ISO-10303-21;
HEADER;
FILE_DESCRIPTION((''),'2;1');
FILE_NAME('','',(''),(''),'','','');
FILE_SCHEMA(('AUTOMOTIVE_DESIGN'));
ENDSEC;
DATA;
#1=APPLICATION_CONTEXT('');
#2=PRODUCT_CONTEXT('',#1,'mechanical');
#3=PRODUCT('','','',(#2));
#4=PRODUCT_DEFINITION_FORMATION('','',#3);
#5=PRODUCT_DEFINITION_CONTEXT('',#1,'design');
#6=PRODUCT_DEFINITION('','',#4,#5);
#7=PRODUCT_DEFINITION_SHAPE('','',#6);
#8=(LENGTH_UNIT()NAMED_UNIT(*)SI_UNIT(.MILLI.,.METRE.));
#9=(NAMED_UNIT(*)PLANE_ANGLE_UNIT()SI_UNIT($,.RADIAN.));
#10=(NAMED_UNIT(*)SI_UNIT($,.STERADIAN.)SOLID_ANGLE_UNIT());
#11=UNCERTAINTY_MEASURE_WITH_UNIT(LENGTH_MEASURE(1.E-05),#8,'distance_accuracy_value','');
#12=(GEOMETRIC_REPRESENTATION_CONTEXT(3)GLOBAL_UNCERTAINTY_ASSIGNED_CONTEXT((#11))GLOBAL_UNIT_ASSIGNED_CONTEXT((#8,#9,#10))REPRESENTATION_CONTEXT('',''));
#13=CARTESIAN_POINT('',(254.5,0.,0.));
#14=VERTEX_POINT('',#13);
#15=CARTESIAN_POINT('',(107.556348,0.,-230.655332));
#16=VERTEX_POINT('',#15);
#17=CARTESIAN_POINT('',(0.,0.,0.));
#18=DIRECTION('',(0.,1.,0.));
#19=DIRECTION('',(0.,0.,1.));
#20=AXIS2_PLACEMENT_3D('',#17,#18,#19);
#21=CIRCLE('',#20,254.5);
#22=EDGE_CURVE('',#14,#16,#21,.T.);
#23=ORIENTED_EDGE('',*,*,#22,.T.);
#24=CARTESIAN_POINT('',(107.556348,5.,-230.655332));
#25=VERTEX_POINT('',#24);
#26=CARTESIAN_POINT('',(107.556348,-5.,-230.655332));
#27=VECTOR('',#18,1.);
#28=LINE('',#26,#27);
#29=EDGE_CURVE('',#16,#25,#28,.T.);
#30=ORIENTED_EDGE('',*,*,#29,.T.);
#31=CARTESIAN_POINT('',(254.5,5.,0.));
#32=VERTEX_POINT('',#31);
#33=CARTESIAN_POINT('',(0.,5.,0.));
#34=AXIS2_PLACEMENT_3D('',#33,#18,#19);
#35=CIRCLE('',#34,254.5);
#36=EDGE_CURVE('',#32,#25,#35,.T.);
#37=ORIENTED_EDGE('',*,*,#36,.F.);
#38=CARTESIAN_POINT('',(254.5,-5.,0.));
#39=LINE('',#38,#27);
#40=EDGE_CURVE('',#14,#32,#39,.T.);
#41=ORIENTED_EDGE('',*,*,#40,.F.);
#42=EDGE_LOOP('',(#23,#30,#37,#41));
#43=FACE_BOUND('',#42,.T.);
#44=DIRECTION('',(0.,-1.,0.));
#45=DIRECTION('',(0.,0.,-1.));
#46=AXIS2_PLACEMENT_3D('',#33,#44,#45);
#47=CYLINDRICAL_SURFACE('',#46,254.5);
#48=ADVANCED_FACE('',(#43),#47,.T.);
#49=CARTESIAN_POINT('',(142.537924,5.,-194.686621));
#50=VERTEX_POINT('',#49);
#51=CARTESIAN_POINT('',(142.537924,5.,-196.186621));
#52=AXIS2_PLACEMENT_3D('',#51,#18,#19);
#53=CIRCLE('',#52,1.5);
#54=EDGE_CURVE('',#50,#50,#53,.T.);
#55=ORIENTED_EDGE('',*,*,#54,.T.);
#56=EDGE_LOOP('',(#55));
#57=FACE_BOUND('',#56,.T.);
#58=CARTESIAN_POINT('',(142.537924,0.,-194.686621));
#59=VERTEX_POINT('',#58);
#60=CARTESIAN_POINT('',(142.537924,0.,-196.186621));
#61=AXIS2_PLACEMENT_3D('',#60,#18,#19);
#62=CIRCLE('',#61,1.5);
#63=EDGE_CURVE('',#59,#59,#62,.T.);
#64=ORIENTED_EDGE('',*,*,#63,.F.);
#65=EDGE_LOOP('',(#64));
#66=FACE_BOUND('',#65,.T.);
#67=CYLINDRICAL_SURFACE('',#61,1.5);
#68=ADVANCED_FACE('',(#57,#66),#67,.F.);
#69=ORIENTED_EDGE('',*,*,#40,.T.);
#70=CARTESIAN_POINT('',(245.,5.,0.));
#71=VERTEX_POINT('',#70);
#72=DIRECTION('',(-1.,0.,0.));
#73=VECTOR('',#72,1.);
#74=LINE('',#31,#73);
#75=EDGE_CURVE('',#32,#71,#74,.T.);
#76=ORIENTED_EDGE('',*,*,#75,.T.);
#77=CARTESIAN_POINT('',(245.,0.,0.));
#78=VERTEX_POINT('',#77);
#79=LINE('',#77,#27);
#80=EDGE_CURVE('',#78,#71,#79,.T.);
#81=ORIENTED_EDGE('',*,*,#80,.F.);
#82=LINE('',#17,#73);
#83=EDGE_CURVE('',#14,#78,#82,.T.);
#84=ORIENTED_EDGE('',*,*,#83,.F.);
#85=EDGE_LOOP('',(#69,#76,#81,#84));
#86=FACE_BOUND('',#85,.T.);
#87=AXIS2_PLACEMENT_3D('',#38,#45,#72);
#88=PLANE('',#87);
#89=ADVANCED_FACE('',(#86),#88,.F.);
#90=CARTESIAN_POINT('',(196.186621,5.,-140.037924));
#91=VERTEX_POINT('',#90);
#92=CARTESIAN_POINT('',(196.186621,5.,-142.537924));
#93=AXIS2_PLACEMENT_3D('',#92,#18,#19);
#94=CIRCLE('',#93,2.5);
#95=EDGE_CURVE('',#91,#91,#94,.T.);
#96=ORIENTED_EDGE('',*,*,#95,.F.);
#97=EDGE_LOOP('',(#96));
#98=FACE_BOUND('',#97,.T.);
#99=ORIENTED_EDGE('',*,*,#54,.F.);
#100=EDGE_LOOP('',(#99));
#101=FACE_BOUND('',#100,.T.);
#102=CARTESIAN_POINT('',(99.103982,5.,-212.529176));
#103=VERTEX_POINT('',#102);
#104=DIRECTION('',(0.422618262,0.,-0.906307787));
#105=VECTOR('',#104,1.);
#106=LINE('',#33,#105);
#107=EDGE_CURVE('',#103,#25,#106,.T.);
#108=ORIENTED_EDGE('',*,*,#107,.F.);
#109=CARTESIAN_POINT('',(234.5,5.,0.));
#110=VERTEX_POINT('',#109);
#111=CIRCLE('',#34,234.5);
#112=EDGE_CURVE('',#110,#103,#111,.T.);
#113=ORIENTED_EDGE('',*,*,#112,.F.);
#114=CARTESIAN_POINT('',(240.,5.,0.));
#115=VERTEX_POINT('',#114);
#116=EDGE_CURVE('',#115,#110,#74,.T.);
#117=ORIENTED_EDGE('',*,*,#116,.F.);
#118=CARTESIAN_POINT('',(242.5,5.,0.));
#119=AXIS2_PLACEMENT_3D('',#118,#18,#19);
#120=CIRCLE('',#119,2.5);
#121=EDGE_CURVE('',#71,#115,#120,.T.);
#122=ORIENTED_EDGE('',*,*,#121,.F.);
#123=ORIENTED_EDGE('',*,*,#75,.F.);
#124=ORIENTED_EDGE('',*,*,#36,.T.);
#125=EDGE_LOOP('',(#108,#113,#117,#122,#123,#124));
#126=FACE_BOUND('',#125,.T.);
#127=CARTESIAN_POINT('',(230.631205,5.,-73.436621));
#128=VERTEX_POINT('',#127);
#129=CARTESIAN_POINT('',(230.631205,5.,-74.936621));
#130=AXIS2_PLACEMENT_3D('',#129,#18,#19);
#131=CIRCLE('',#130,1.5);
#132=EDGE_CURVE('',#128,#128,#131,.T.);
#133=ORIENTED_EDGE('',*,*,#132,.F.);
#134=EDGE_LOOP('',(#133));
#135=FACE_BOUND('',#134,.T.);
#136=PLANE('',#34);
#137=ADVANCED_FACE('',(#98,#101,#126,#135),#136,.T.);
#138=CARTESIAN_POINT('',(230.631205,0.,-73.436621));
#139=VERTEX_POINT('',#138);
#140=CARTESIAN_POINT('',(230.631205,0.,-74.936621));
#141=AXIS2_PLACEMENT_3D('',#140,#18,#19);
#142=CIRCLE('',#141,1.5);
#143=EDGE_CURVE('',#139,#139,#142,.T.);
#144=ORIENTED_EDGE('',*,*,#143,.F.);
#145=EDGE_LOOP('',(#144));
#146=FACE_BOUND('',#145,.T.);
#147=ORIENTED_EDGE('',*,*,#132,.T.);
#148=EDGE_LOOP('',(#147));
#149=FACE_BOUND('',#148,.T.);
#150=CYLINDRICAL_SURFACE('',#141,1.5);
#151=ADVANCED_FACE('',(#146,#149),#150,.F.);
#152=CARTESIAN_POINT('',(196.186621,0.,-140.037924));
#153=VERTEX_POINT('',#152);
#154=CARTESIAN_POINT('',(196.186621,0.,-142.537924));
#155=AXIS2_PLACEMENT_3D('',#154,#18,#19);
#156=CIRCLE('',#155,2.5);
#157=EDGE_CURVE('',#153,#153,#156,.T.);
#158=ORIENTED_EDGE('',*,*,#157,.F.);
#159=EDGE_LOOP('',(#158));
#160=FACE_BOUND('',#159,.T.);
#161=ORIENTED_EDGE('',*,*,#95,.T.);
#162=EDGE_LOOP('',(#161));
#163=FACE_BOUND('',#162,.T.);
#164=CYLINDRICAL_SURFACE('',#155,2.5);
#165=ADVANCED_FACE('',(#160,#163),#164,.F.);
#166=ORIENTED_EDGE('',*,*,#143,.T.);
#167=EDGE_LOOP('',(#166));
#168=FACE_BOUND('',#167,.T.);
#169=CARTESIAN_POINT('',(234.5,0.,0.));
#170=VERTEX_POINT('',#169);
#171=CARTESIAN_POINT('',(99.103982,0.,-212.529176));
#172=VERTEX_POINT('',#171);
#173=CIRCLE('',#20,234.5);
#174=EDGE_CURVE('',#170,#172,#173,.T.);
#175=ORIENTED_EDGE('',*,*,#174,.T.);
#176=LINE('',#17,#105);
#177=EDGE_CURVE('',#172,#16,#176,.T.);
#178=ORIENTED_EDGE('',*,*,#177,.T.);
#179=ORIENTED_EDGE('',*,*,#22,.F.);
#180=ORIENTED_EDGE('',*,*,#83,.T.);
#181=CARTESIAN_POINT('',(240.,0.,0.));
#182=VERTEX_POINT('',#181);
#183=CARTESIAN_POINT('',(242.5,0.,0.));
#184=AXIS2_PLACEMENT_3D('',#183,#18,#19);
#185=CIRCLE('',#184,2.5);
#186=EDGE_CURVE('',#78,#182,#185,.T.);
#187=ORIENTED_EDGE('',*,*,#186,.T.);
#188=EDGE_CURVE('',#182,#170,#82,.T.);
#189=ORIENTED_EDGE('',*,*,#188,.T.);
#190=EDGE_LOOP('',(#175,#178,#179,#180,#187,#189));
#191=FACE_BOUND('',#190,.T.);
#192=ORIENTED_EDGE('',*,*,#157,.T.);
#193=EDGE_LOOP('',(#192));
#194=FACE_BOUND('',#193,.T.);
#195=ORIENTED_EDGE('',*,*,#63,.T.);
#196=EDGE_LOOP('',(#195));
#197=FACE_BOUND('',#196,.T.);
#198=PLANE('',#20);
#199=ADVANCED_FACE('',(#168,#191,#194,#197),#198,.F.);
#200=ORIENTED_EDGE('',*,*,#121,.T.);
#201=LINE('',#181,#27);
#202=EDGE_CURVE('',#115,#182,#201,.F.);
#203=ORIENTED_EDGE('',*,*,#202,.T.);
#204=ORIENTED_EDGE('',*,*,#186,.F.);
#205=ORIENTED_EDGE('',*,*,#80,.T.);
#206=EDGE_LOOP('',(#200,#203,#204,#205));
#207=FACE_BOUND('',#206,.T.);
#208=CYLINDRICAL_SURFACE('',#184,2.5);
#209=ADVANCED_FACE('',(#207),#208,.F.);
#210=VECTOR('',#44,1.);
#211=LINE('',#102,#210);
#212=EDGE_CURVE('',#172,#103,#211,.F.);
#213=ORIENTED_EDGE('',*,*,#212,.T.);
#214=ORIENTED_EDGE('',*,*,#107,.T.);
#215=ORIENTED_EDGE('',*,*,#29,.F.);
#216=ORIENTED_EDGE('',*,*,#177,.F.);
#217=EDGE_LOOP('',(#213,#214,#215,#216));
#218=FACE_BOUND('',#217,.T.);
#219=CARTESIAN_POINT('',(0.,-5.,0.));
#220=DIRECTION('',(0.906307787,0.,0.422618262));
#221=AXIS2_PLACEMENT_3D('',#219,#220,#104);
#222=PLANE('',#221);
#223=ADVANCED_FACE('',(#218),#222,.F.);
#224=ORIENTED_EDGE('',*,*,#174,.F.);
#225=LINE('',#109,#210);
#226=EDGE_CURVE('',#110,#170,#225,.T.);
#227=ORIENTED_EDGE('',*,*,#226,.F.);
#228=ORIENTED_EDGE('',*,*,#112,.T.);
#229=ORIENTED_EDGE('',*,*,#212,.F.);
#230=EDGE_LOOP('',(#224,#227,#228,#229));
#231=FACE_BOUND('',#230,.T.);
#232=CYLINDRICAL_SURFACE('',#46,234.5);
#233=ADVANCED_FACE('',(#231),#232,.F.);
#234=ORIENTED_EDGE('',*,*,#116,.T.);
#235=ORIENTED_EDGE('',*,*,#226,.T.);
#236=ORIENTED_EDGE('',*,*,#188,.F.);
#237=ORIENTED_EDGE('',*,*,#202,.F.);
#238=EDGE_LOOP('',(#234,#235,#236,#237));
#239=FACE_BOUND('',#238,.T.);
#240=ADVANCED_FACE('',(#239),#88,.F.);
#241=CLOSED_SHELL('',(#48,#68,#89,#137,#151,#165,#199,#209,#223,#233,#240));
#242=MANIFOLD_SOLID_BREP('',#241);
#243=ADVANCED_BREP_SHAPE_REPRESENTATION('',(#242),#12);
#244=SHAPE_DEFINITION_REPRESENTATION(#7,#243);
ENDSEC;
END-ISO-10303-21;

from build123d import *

# Parameters (mm, degrees)
SKETCH1_R           = 254.5
SKETCH1_R_2         = 234.5
BOSS_EXTRUDE1_DEPTH = 5
SKETCH2_W           = 27.805822748
SKETCH2_H           = 60
CUT_EXTRUDE1_DEPTH  = 5
SKETCH3_R           = 2.5
CUT_EXTRUDE2_DEPTH  = 5
SKETCH4_R           = 1.5
CUT_EXTRUDE3_DEPTH  = 5
SKETCH5_W           = 651.212620435
SKETCH5_H           = 357.226439325
CUT_EXTRUDE4_DEPTH  = 10
CUT_EXTRUDE9_START  = -10
SKETCH6_R           = 1.5
SKETCH6_R_2         = 2.5
CUT_EXTRUDE9_DEPTH  = 10
SKETCH7_R           = 2.5
SKETCH7_R_2         = 1.5
CUT_EXTRUDE11_DEPTH = 10


with BuildPart() as part:
    # Sketch1 → Boss-Extrude1 (new body)
    with BuildSketch(Plane(origin=(0, 0, 0), x_dir=(1, 0, 0), z_dir=(0, 1, 0))):
        with Locations(Location((0, 0, 0), (0, 0, 270))):
            Circle(SKETCH1_R)
        with Locations(Location((0, 0, 0), (0, 0, 270))):
            Circle(SKETCH1_R_2, mode=Mode.SUBTRACT)
    extrude(amount=BOSS_EXTRUDE1_DEPTH)

    # Sketch2 → Cut-Extrude1 (cut)
    with BuildSketch(Plane(origin=(0, 5, 0), x_dir=(1, 0, 0), z_dir=(0, 1, 0))):
        with Locations((-240.597088626, 30)):
            Rectangle(SKETCH2_W, SKETCH2_H)
    cut_extrude1 = extrude(amount=-CUT_EXTRUDE1_DEPTH, mode=Mode.SUBTRACT)

    # Mirror1: Cut-Extrude1 across plane
    add(cut_extrude1.mirror(Plane.XY), mode=Mode.SUBTRACT)

    # Sketch3 → Cut-Extrude2 (cut)
    with BuildSketch(Plane(origin=(0, 5, 0), x_dir=(1, 0, 0), z_dir=(0, 1, 0))):
        with Locations(Location((242.5, 0, 0), (0, 0, 270))):
            Circle(SKETCH3_R)
        with Locations(Location((196.186621136, -142.537923681, 0), (0, 0, 270))):
            Circle(SKETCH3_R)
        with Locations(Location((74.936621136, -230.631205202, 0), (0, 0, 270))):
            Circle(SKETCH3_R)
        with Locations(Location((-74.936621136, -230.631205202, 0), (0, 0, 270))):
            Circle(SKETCH3_R)
        with Locations(Location((-196.186621136, -142.537923681, 0), (0, 0, 270))):
            Circle(SKETCH3_R)
        with Locations((-242.5, 0)):
            Circle(SKETCH3_R)
        with Locations(Location((-196.186621136, 142.537923681, 0), (0, 0, 270))):
            Circle(SKETCH3_R)
        with Locations(Location((-74.936621136, 230.631205202, 0), (0, 0, 270))):
            Circle(SKETCH3_R)
        with Locations(Location((74.936621136, 230.631205202, 0), (0, 0, 270))):
            Circle(SKETCH3_R)
        with Locations(Location((196.186621136, 142.537923681, 0), (0, 0, 270))):
            Circle(SKETCH3_R)
    extrude(amount=-CUT_EXTRUDE2_DEPTH, mode=Mode.SUBTRACT)

    # Sketch4 → Cut-Extrude3 (cut)
    with BuildSketch(Plane(origin=(0, 5, 0), x_dir=(1, 0, 0), z_dir=(0, 1, 0))):
        with Locations(Location((0, -242.5, 0), (0, 0, 270))):
            Circle(SKETCH4_R)
        with Locations(Location((-142.537923681, -196.186621136, 0), (0, 0, 270))):
            Circle(SKETCH4_R)
        with Locations(Location((-230.631205202, -74.936621136, 0), (0, 0, 270))):
            Circle(SKETCH4_R)
        with Locations(Location((-230.631205202, 74.936621136, 0), (0, 0, 270))):
            Circle(SKETCH4_R)
        with Locations(Location((-142.537923681, 196.186621136, 0), (0, 0, 270))):
            Circle(SKETCH4_R)
        with Locations(Location((0, 242.5, 0), (0, 0, 270))):
            Circle(SKETCH4_R)
        with Locations(Location((142.537923681, 196.186621136, 0), (0, 0, 270))):
            Circle(SKETCH4_R)
        with Locations(Location((230.631205202, 74.936621136, 0), (0, 0, 270))):
            Circle(SKETCH4_R)
        with Locations(Location((230.631205202, -74.936621136, 0), (0, 0, 270))):
            Circle(SKETCH4_R)
        with Locations(Location((142.537923681, -196.186621136, 0), (0, 0, 270))):
            Circle(SKETCH4_R)
    extrude(amount=-CUT_EXTRUDE3_DEPTH, mode=Mode.SUBTRACT)

    # Sketch5 → Cut-Extrude4 (cut)
    with BuildSketch(Plane(origin=(0, 5, 0), x_dir=(1, 0, 0), z_dir=(0, 1, 0))):
        with Locations((-71.106310217, -178.613219663)):
            Rectangle(SKETCH5_W, SKETCH5_H)
    extrude(amount=-CUT_EXTRUDE4_DEPTH, mode=Mode.SUBTRACT)

    # Sketch6 → Cut-Extrude9 (cut)
    # profile 1 of 2: a face of its own
    with BuildSketch(Plane(origin=(0, 5, 0), x_dir=(1, 0, 0), z_dir=(0, 1, 0)).offset(CUT_EXTRUDE9_START)):
        with BuildLine():
            Line((-117.25, 203.082957187), (-127.25, 220.403465263))
            ThreePointArc((-127.25, 220.403465263), (-203.737945948, 152.51589878), (-247.326201604, 60))
            Line((-247.326201604, 60), (-226.694177252, 60))
            ThreePointArc((-226.694177252, 60), (-186.259449225, 142.469883043), (-117.25, 203.082957187))
        make_face()
        with Locations((-230.631205202, 74.936621136)):
            Circle(SKETCH6_R, mode=Mode.SUBTRACT)
        with Locations((-196.186621136, 142.537923681)):
            Circle(SKETCH6_R_2, mode=Mode.SUBTRACT)
        with Locations((-142.537923681, 196.186621136)):
            Circle(SKETCH6_R, mode=Mode.SUBTRACT)
    # profile 2 of 2: a face of its own
    with BuildSketch(Plane(origin=(0, 5, 0), x_dir=(1, 0, 0), z_dir=(0, 1, 0)).offset(CUT_EXTRUDE9_START)):
        with BuildLine():
            Line((-254.5, 0), (0, 0))
            Line((0, 0), (-117.25, 203.082957187))
            ThreePointArc((-117.25, 203.082957187), (-186.259449225, 142.469883043), (-226.694177252, 60))
            Line((-226.694177252, 60), (-247.326201604, 60))
            ThreePointArc((-247.326201604, 60), (-252.700186296, 30.213669851), (-254.5, 0))
        make_face()
    extrude(amount=CUT_EXTRUDE9_DEPTH, mode=Mode.SUBTRACT)

    # Sketch7 → Cut-Extrude11 (cut)
    # profile 1 of 2: a face of its own
    with BuildSketch(Plane(origin=(0, 5, 0), x_dir=(1, 0, 0), z_dir=(0, 1, 0))):
        with BuildLine():
            Line((99.103982378, 212.52917606), (107.556347613, 230.655331801))
            ThreePointArc((107.556347613, 230.655331801), (-11.101134084, 254.257772393), (-127.25, 220.403465263))
            Line((-127.25, 220.403465263), (-117.25, 203.082957187))
            ThreePointArc((-117.25, 203.082957187), (-10.228746337, 234.276807961), (99.103982378, 212.52917606))
        make_face()
        with Locations((-74.936621136, 230.631205202)):
            Circle(SKETCH7_R, mode=Mode.SUBTRACT)
        with Locations((0, 242.5)):
            Circle(SKETCH7_R_2, mode=Mode.SUBTRACT)
        with Locations((74.936621136, 230.631205202)):
            Circle(SKETCH7_R, mode=Mode.SUBTRACT)
    # profile 2 of 2: a face of its own
    with BuildSketch(Plane(origin=(0, 5, 0), x_dir=(1, 0, 0), z_dir=(0, 1, 0))):
        with BuildLine():
            Line((-117.25, 203.082957187), (0, 0))
            Line((0, 0), (99.103982378, 212.52917606))
            ThreePointArc((99.103982378, 212.52917606), (-10.228746337, 234.276807961), (-117.25, 203.082957187))
        make_face()
    extrude(amount=-CUT_EXTRUDE11_DEPTH, mode=Mode.SUBTRACT)


solid = part.part
